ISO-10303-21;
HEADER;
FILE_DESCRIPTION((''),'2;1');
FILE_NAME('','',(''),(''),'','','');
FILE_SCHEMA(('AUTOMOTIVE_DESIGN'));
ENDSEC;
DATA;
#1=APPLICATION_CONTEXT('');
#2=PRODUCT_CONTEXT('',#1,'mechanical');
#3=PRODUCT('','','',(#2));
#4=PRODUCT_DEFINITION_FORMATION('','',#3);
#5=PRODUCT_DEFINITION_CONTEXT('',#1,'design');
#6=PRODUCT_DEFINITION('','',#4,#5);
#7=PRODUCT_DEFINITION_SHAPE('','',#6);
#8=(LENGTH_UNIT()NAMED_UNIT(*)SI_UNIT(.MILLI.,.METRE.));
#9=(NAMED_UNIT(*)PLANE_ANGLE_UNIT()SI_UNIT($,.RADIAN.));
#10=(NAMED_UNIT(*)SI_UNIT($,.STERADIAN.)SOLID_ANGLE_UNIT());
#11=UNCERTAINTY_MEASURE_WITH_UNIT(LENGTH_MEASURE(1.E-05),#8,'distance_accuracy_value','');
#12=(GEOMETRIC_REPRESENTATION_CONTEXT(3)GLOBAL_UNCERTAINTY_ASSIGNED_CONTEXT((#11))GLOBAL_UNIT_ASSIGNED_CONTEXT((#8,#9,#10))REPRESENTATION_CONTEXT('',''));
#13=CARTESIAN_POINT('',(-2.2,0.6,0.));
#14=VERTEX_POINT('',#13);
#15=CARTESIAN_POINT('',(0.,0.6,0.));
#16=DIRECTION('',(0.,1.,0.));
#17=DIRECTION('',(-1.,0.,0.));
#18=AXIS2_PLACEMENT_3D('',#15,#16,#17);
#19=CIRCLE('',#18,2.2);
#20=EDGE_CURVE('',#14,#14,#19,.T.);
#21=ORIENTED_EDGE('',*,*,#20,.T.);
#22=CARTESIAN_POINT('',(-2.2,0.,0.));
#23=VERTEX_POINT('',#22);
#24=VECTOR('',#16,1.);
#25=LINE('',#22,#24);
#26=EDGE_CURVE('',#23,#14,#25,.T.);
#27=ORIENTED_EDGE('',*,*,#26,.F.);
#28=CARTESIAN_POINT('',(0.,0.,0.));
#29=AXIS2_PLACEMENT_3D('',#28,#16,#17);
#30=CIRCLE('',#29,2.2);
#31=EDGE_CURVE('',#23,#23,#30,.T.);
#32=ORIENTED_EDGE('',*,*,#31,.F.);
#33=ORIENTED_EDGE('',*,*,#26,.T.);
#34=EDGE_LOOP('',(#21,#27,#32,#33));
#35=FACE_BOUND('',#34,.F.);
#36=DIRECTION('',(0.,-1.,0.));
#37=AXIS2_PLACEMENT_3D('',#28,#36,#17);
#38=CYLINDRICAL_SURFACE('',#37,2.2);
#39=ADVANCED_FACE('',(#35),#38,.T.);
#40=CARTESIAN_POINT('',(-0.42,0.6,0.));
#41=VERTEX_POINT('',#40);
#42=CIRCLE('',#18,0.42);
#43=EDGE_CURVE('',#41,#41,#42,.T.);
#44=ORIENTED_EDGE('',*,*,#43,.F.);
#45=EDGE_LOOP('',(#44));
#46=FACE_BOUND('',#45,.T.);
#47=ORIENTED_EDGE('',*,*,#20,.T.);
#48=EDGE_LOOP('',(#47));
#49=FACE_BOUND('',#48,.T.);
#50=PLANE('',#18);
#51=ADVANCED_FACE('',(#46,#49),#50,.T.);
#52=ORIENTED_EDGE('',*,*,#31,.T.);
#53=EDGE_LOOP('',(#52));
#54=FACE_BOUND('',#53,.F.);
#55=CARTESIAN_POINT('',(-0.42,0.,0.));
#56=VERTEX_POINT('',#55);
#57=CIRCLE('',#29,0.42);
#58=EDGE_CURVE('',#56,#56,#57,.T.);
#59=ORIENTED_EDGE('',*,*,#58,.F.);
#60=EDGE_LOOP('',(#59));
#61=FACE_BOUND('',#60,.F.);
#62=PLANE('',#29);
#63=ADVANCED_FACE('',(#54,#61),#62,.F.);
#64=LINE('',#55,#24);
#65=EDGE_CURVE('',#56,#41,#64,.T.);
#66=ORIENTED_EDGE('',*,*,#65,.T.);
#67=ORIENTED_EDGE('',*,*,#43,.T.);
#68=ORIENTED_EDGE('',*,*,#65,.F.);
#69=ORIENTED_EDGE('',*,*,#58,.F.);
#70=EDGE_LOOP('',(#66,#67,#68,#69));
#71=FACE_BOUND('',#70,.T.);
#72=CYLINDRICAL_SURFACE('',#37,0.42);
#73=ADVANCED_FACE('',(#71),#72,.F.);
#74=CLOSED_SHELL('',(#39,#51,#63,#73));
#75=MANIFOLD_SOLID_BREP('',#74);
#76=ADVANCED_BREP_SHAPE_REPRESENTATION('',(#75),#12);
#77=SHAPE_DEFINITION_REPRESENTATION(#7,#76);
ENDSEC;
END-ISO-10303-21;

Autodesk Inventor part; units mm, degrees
ref_plane "YZ Plane" through (0, 0, 0) normal (1, 0, 0) x (0, 1, 0)
ref_plane "XZ Plane" through (0, 0, 0) normal (0, 1, 0) x (-1, 0, 0)
ref_plane "XY Plane" through (0, 0, 0) normal (0, 0, 1) x (1, 0, 0)
sketch "Boceto1" plane through (0, 0, 0) normal (0, 1, 0) x (-1, 0, 0)
  circle A0 centre (0, 0) radius 2.2
  circle A1 centre (0, 0) radius 0.42
  dimension "d0" = 4.4
  dimension "d1" = 0.84
extrude "Extrusión1" add sketch "Boceto1" along normal blind 0.6
